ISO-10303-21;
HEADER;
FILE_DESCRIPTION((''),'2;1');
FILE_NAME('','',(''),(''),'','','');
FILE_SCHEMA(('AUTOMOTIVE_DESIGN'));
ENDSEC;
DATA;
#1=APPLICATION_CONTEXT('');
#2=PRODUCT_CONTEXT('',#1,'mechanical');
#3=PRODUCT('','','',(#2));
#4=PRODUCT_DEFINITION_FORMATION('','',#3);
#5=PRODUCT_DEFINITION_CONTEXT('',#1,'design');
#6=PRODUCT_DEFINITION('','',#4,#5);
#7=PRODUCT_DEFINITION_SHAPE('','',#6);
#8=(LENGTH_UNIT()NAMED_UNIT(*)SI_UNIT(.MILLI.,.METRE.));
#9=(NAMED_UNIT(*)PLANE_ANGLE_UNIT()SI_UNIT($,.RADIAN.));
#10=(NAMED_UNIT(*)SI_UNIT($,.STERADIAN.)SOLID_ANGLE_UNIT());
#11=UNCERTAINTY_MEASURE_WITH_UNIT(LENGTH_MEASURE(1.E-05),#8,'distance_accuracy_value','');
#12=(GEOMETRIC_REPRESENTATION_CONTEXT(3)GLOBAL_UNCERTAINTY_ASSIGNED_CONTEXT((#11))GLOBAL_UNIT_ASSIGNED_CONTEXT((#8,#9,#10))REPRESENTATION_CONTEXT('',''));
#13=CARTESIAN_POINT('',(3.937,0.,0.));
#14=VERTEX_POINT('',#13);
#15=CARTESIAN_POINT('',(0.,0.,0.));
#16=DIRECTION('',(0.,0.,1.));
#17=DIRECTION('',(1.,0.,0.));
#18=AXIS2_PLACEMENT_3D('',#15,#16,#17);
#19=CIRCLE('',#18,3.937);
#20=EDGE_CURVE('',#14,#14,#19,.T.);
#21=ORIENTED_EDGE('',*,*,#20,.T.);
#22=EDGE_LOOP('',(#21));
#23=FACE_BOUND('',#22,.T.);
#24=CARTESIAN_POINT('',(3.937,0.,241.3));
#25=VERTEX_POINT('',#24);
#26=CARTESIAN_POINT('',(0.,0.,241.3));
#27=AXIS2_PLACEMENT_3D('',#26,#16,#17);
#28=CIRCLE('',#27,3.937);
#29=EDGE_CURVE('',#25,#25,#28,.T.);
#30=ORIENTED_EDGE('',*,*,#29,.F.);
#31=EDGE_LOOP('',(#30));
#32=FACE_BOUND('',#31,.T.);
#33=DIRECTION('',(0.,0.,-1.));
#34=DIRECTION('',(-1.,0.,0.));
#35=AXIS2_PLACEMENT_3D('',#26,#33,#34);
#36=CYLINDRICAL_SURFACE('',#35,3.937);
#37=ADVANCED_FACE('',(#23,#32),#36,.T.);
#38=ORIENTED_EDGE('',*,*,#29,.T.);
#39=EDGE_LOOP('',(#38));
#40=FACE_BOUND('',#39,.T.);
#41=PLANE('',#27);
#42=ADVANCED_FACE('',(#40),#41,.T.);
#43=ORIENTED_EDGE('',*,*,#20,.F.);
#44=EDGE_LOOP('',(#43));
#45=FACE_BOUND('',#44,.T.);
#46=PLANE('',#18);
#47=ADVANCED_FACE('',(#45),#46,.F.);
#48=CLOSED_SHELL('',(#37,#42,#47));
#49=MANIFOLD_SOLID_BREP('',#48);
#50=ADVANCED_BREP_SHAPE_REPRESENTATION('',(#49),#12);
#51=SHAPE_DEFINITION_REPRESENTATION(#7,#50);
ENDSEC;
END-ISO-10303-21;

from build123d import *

# Parameters (mm, degrees)
SKETCH1_R           = 3.937
BOSS_EXTRUDE1_DEPTH = 241.3


with BuildPart() as part:
    # Sketch1 → Boss-Extrude1 (new body)
    with BuildSketch(Plane.XY):
        Circle(SKETCH1_R)
    extrude(amount=BOSS_EXTRUDE1_DEPTH)


solid = part.part
